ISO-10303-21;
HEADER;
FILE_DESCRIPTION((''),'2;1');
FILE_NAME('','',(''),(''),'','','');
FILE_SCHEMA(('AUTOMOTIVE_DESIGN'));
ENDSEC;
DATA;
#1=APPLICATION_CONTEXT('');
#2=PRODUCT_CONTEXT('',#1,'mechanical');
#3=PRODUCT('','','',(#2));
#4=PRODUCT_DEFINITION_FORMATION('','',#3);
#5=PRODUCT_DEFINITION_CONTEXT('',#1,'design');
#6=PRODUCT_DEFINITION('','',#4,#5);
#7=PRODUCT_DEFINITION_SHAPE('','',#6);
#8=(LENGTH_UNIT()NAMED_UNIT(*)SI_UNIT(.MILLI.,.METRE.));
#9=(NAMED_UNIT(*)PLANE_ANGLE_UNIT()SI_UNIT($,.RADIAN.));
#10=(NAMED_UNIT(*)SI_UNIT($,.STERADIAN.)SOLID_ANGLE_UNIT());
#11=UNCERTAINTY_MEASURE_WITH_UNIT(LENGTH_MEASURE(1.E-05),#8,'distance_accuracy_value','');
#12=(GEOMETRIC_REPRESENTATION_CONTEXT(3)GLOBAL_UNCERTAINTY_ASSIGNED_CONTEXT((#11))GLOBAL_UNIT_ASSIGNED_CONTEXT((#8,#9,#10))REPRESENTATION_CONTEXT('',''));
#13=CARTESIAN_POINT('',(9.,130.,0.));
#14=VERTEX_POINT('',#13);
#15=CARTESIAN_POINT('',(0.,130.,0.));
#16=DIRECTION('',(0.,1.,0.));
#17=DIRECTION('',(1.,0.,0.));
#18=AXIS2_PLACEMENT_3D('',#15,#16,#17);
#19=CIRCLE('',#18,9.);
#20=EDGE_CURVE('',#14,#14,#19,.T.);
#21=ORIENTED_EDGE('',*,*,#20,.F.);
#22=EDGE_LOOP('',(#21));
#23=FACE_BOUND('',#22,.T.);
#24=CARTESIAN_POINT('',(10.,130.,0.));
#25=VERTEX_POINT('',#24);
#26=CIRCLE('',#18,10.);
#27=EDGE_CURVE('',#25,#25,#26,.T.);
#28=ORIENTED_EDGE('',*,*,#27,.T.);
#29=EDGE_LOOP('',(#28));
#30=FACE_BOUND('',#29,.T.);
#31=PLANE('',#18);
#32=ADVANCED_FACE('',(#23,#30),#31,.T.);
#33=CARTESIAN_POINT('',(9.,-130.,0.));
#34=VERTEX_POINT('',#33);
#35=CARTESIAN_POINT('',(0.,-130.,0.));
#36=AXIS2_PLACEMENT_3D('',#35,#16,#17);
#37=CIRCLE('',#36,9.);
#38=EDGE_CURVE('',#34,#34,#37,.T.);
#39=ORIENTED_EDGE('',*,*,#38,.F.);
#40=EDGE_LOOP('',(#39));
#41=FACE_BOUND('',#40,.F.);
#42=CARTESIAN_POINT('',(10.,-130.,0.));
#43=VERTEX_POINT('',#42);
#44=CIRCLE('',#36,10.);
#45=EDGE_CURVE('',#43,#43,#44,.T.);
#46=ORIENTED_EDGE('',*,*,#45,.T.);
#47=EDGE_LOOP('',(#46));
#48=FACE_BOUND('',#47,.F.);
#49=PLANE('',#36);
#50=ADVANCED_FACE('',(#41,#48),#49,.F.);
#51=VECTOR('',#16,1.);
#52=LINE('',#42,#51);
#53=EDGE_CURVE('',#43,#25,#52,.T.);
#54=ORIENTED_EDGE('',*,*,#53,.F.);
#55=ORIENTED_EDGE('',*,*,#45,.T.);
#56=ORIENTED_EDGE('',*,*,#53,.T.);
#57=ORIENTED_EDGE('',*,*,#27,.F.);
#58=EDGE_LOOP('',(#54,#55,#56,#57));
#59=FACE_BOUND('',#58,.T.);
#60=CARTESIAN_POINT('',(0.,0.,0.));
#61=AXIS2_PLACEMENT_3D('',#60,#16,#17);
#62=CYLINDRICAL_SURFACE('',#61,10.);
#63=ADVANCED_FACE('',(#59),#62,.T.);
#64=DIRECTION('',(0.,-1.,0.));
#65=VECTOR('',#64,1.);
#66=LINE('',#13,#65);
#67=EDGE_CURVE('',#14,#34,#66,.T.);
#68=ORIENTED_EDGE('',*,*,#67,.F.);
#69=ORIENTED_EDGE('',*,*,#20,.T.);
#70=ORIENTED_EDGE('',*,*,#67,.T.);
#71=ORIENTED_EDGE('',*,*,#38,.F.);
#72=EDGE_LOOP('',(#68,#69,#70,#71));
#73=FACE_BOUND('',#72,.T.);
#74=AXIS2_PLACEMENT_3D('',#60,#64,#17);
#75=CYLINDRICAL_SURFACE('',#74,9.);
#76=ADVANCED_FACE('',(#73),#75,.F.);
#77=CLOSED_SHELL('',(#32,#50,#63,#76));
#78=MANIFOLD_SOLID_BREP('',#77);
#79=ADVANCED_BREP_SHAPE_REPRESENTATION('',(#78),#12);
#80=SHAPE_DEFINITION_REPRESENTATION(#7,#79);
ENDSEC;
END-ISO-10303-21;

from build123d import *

# Parameters (mm, degrees)
SKETCH_1_R     = 10
SKETCH_1_R_2   = 9
F_1MM_30_DEPTH = 130


with BuildPart() as part:
    # 草图1 → 1mm*30 (new, symmetric)
    with BuildSketch(Plane(origin=(0, 0, 0), x_dir=(1, 0, 0), z_dir=(0, 1, 0))):
        Circle(SKETCH_1_R)
        Circle(SKETCH_1_R_2, mode=Mode.SUBTRACT)
    extrude(amount=F_1MM_30_DEPTH, both=True)


solid = part.part
